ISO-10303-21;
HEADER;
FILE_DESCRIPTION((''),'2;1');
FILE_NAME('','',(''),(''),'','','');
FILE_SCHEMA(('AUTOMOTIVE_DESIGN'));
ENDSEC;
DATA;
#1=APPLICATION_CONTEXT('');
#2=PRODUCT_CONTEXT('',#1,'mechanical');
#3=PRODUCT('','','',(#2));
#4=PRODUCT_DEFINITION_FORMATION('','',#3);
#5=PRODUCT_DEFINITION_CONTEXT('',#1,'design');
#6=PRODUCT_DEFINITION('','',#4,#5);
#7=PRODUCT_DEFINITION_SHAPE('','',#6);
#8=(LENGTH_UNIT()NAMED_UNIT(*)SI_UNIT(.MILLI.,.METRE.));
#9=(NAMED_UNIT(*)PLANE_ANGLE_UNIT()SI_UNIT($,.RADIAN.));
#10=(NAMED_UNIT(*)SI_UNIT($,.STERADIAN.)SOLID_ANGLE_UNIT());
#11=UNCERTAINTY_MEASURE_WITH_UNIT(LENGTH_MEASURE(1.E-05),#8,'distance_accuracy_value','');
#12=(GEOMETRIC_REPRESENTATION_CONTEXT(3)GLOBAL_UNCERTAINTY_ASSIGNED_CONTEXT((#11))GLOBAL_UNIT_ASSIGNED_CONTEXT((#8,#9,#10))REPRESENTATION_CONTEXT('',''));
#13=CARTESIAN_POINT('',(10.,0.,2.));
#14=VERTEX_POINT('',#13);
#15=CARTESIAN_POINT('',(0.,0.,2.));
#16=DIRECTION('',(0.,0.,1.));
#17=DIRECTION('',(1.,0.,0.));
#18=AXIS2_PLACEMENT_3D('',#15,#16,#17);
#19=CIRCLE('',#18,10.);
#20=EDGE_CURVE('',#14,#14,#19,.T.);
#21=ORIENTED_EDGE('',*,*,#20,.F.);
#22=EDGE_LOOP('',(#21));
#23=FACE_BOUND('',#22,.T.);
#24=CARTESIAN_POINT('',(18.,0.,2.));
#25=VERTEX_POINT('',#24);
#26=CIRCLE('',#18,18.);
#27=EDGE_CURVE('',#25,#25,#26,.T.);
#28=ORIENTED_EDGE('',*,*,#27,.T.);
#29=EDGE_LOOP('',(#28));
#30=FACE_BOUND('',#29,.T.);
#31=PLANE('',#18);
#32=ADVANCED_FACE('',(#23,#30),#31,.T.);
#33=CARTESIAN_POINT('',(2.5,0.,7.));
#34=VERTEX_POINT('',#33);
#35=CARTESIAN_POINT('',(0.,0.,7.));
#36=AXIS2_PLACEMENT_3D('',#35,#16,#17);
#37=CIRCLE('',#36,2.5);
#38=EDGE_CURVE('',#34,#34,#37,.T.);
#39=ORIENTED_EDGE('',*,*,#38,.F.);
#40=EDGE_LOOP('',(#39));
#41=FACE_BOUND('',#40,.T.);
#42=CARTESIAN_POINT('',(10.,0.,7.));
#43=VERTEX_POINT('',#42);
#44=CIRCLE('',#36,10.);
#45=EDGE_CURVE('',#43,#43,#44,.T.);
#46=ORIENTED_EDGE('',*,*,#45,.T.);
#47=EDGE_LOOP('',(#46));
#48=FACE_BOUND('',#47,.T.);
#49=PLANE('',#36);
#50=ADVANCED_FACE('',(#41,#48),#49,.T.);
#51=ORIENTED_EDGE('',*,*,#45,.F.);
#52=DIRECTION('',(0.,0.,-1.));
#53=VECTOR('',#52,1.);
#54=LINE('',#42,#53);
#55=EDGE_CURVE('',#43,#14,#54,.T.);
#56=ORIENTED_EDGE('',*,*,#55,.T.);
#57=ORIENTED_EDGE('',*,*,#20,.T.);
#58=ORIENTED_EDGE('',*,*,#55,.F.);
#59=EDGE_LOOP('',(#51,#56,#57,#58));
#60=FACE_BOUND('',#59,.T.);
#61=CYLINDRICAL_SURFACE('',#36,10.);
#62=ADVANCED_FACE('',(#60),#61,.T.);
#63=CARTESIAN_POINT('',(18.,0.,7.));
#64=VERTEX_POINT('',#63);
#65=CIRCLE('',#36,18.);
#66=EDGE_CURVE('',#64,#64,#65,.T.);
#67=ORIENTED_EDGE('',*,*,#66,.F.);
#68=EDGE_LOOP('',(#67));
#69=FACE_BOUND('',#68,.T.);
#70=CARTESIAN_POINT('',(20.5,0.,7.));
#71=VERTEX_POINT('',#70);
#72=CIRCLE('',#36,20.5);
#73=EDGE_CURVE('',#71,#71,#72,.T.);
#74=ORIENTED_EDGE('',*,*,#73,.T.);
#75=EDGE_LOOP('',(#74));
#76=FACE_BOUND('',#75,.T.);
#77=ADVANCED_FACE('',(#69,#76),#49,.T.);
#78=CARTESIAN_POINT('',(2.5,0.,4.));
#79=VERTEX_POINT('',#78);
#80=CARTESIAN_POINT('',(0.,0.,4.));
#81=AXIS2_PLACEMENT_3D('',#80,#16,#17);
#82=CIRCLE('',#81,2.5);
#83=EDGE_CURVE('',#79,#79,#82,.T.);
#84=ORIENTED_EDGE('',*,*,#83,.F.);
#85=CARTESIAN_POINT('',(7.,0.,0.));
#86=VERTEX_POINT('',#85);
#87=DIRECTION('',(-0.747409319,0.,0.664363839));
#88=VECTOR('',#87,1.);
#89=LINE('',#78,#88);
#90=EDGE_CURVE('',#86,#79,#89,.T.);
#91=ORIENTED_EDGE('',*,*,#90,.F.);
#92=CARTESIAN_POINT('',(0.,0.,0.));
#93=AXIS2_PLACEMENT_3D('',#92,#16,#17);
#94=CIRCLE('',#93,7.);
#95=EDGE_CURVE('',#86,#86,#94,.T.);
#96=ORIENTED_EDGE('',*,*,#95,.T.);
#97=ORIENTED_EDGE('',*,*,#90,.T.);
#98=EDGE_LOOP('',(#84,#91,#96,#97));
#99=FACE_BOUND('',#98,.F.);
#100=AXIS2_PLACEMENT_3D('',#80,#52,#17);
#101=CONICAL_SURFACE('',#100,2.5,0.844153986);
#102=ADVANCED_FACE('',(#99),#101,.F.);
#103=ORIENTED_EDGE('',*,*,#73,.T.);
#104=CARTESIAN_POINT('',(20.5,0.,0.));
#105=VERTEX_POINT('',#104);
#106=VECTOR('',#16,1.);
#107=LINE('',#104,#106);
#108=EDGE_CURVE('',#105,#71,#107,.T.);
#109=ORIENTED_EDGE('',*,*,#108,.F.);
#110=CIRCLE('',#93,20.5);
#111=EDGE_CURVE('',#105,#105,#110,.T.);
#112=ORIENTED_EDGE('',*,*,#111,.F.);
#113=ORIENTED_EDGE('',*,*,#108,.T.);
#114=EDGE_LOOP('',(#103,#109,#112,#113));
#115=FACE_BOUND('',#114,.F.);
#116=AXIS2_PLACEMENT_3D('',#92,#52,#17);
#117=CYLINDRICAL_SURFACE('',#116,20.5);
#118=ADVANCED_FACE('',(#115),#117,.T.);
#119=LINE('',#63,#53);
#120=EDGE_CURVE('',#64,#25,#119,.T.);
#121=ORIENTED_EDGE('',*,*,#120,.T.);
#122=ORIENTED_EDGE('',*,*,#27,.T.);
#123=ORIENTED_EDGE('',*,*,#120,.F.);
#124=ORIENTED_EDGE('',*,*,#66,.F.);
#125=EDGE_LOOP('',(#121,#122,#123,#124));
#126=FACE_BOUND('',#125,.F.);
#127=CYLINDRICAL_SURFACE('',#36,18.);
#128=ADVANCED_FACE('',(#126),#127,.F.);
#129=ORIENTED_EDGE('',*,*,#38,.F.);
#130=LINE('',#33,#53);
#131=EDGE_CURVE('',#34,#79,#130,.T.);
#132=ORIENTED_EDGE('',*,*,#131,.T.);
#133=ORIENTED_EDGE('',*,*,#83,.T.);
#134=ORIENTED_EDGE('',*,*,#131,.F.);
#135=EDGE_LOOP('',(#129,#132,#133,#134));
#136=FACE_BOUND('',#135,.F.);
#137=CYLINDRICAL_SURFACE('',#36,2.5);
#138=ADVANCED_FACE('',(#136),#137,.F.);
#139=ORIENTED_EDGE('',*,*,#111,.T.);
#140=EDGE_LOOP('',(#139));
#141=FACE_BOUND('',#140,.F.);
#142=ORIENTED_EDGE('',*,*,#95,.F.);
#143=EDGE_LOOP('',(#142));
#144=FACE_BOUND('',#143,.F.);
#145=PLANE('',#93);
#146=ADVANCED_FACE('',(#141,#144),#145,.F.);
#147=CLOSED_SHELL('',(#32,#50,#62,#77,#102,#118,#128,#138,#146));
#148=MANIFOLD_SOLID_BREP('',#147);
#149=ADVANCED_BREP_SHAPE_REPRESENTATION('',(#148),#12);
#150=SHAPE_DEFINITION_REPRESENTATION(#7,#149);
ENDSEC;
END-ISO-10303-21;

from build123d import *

# Parameters (mm, degrees)
F0_R     = 20.5
F1_DEPTH = 7
F2_R     = 18
F2_R_2   = 10
F3_DEPTH = 5
F4_R     = 2.5
F5_DEPTH = 7.001
F6_SIZE2 = 4
F6_SIZE  = 4.5


with BuildPart() as f1:
    # F0 (on Top) → F1 (new body)
    with BuildSketch(Plane.XY):
        Circle(F0_R)
    extrude(amount=F1_DEPTH)

    # F2 (on face) → F3 (cut)
    with BuildSketch(Plane.XY.offset(7)):
        Circle(F2_R)
        Circle(F2_R_2, mode=Mode.SUBTRACT)
    extrude(amount=-F3_DEPTH, mode=Mode.SUBTRACT)

    # F4 (on face) → F5 (cut, through all)
    with BuildSketch(Plane.XY.offset(7)):
        Circle(F4_R)
    extrude(amount=-F5_DEPTH, mode=Mode.SUBTRACT)

    # F6
    f6_edges = [f1.edges().sort_by_distance(p)[0] for p in [
        (-2.5, 0, 0),
    ]]
    chamfer(f6_edges, length=F6_SIZE, length2=F6_SIZE2)


solid = f1.part
